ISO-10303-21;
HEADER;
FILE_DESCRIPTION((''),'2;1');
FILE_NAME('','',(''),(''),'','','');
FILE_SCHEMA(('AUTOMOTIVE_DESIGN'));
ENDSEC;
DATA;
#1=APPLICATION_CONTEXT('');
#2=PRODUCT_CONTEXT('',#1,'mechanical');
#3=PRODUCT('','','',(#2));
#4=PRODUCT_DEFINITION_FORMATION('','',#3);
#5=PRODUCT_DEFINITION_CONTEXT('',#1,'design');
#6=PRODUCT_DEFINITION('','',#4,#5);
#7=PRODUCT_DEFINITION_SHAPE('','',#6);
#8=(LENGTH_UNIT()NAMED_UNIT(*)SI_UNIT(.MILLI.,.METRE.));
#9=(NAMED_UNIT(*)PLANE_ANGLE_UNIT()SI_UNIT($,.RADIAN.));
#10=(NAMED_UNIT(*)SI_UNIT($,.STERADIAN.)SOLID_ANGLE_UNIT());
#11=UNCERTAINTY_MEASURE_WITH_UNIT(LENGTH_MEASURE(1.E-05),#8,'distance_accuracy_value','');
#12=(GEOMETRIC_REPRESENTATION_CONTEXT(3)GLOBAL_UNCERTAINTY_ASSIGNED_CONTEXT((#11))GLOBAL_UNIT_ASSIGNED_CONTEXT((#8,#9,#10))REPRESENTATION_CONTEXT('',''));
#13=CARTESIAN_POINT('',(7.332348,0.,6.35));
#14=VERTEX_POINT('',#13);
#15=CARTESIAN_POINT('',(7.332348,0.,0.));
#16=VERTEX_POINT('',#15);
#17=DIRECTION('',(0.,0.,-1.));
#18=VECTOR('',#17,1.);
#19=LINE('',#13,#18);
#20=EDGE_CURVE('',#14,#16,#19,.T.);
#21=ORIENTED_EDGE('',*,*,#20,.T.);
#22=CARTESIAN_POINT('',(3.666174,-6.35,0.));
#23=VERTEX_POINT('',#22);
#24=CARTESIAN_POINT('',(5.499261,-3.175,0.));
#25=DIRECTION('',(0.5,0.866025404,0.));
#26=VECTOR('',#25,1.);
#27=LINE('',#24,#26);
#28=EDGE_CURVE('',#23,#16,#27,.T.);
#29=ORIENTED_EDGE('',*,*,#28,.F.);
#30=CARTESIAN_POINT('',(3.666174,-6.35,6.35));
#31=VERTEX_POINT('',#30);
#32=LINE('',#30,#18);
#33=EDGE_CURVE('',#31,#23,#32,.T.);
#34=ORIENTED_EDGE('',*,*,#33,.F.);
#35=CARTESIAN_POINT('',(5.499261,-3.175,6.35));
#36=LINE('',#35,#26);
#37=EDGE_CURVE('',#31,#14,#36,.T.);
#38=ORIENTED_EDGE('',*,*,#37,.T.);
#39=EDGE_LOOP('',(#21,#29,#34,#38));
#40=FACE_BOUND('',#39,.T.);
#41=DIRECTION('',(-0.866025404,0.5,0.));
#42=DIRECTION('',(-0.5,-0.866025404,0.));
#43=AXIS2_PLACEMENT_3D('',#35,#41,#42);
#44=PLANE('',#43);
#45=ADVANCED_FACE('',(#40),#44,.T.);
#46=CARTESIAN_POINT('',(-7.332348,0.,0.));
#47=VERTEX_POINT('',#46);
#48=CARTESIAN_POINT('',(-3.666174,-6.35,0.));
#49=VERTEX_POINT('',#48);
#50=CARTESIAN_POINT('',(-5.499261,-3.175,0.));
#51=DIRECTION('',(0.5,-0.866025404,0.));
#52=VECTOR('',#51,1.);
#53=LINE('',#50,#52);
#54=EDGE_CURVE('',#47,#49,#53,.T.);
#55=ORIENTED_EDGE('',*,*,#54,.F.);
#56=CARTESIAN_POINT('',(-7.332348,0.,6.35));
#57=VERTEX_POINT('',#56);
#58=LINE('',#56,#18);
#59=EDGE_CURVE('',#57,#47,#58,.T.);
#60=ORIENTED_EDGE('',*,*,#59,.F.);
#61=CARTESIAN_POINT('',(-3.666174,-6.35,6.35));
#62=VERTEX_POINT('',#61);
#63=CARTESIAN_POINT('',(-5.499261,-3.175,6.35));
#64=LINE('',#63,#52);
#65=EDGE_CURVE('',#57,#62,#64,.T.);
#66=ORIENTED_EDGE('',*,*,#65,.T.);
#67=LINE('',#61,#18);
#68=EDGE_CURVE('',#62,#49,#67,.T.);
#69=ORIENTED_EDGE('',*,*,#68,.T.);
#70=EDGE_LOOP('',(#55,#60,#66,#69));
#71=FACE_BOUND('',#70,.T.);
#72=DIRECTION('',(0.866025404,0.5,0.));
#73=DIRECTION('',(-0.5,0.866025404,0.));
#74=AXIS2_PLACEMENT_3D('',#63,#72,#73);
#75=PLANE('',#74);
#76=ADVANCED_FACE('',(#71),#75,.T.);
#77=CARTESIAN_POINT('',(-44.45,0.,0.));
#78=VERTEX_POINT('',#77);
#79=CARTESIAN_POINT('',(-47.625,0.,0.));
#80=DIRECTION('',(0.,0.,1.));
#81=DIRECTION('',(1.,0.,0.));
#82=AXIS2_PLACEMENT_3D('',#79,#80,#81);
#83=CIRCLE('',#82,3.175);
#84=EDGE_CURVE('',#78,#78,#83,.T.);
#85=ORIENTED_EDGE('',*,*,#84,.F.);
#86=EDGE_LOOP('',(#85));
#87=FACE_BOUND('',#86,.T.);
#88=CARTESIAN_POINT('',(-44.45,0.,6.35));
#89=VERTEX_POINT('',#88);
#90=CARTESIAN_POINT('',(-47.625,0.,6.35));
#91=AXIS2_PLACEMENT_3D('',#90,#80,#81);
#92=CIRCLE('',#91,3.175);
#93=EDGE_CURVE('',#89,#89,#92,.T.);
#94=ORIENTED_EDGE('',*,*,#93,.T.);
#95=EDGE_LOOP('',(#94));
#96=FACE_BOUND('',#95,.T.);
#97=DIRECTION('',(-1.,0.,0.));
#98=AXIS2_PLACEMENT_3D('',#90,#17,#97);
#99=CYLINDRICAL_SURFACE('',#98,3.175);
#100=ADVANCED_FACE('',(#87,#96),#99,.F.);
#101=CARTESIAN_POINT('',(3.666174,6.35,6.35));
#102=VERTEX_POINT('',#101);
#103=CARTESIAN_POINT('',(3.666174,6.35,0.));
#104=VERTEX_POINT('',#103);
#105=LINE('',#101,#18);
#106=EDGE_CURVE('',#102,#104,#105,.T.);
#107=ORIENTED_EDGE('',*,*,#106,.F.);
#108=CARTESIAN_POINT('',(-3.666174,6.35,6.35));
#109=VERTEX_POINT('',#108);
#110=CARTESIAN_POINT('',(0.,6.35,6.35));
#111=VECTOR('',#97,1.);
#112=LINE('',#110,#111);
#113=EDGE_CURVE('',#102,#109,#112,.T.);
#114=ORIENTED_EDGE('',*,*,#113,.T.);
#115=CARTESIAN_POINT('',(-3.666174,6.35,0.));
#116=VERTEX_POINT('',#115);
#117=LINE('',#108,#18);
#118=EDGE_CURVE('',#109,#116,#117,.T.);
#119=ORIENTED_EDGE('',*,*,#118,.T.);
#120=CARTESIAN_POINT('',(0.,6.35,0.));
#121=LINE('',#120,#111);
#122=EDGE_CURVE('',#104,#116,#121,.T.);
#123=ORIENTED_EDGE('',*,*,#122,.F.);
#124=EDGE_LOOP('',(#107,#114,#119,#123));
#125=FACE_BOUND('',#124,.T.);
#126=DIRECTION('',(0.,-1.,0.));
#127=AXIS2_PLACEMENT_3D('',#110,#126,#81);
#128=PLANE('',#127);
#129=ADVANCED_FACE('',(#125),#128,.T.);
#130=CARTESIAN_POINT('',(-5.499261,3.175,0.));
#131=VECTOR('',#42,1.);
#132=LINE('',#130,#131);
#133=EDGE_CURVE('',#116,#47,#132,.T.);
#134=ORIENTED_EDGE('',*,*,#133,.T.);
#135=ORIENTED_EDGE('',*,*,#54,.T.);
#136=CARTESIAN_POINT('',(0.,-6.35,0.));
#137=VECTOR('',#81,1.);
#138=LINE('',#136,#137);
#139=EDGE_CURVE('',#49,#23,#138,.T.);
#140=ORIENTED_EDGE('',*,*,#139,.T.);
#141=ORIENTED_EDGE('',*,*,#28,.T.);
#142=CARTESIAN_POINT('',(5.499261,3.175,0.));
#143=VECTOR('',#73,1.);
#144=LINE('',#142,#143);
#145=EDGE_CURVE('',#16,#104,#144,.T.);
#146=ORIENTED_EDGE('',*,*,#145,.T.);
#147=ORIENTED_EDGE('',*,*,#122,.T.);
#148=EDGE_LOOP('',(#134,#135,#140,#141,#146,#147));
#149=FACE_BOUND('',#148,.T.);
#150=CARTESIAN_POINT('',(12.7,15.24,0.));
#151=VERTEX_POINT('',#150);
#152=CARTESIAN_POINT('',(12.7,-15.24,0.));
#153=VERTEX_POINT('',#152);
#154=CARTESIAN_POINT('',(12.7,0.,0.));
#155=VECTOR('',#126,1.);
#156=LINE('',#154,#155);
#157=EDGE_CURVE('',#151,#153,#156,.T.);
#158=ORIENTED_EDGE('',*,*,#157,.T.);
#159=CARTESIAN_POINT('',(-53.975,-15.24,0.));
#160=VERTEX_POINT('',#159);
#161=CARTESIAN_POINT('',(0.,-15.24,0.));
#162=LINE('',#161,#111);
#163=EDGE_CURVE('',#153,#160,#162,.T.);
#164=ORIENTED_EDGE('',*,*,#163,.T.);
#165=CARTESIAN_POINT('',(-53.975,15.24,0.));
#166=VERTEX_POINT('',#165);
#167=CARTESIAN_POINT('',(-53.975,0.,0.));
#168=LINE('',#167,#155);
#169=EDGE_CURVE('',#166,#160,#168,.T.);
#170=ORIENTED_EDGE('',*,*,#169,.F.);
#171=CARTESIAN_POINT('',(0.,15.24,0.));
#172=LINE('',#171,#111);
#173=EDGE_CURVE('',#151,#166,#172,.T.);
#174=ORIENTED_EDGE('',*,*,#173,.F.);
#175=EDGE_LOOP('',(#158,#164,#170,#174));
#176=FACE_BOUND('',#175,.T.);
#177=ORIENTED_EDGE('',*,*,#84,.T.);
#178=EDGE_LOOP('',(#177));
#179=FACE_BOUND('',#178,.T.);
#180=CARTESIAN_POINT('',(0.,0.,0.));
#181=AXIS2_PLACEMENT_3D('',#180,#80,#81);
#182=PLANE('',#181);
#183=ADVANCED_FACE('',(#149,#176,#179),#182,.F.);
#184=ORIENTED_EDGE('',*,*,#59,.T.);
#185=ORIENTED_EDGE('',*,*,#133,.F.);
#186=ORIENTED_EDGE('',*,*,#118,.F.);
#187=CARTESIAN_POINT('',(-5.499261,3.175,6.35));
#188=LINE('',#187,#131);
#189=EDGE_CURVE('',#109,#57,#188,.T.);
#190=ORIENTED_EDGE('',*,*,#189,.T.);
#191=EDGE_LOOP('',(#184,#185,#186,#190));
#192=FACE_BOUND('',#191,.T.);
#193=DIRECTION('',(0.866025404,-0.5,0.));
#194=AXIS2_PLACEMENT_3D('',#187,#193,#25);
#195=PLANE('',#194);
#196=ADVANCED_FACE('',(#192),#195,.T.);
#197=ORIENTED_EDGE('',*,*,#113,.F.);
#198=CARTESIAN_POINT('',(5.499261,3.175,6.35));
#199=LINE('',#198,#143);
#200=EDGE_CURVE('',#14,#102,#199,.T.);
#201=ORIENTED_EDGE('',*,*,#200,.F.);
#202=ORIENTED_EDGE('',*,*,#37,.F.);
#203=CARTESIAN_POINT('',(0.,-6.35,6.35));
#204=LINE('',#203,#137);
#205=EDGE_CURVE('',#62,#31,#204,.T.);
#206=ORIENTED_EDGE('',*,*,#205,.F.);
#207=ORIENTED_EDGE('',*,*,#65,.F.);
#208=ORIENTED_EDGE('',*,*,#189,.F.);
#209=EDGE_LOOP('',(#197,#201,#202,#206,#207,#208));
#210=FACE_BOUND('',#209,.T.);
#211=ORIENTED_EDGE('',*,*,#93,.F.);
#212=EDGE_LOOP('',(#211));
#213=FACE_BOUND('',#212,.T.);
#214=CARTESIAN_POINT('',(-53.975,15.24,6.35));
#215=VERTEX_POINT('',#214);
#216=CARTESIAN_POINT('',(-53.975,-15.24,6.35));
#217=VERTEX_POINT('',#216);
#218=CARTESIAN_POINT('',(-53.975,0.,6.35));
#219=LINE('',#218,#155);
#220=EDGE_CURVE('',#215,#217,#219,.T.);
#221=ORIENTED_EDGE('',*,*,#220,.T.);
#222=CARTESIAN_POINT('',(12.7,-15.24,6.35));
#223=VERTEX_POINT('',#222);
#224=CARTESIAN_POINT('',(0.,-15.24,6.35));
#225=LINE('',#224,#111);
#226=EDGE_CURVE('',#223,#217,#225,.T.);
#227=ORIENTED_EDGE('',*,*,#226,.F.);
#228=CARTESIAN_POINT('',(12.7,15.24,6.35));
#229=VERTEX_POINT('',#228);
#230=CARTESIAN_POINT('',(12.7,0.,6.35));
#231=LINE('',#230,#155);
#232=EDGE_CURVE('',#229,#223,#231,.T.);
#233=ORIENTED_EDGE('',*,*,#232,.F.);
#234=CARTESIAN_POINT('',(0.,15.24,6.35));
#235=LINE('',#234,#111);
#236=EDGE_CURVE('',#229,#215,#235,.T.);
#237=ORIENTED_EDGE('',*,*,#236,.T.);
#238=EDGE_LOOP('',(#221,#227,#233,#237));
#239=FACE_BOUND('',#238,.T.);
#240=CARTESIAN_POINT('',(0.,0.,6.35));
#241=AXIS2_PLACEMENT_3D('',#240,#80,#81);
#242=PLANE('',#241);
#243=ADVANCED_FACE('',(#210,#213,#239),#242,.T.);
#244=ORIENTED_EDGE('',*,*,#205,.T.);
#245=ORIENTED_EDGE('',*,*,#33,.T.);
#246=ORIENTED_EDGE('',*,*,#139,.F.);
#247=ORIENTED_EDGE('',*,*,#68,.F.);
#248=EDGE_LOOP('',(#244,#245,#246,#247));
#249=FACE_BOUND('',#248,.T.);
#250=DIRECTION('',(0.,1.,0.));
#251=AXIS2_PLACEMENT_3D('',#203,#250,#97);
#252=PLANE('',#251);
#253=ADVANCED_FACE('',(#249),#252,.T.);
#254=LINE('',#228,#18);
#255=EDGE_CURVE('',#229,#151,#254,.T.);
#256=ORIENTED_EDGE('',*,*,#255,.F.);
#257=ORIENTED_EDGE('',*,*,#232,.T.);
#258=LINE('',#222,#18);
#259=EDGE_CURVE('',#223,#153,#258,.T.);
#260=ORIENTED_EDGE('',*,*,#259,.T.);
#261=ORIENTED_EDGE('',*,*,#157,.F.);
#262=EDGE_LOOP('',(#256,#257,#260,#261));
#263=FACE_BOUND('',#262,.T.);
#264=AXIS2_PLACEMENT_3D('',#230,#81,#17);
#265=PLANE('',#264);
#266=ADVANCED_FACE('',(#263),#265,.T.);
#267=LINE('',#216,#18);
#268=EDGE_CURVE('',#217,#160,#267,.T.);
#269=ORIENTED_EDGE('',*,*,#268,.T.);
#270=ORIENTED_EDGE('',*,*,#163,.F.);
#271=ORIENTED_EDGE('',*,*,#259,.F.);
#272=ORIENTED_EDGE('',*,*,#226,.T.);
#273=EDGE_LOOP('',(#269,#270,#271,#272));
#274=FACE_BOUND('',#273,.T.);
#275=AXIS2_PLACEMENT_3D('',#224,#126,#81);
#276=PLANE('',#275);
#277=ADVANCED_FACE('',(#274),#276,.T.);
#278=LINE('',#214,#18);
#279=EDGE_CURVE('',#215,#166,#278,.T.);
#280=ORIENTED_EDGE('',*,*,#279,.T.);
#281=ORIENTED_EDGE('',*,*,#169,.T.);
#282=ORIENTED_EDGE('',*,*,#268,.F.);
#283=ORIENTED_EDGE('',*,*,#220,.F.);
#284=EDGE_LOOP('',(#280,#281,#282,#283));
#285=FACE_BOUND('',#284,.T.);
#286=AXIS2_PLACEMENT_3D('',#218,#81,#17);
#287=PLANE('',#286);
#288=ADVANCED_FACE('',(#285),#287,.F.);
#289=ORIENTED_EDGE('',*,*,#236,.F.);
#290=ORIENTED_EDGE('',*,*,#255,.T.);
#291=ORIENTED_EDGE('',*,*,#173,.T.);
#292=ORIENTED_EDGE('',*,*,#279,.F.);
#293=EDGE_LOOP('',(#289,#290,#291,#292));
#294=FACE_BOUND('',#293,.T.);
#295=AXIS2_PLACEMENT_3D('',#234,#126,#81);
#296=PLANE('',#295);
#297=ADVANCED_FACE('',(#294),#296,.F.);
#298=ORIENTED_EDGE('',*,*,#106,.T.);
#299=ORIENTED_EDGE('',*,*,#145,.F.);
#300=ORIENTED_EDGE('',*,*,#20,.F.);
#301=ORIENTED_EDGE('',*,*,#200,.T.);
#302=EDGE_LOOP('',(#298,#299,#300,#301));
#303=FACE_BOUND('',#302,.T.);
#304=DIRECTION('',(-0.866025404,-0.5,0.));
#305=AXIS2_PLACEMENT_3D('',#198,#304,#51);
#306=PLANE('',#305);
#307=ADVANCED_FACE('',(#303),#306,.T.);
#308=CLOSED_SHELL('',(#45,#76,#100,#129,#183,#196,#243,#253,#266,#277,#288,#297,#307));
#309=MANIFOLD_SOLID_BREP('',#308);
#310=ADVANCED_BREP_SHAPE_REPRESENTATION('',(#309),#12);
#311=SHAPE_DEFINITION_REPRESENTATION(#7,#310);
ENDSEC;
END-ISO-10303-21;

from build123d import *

# Parameters (mm, degrees)
SKETCH2_W           = 66.675
SKETCH2_H           = 30.48
SKETCH2_R           = 3.175
BOSS_EXTRUDE2_DEPTH = 6.35


with BuildPart() as part:
    # Sketch2 → Boss-Extrude2 (new body)
    with BuildSketch(Plane.XY):
        with Locations((-20.6375, 0)):
            Rectangle(SKETCH2_W, SKETCH2_H)
        with Locations((-47.625, 0)):
            Circle(SKETCH2_R, mode=Mode.SUBTRACT)
        Polygon((3.666174209, 6.35), (-3.666174209, 6.35), (-7.332348419, 0), (-3.666174209, -6.35), (3.666174209, -6.35), (7.332348419, 0), align=None, mode=Mode.SUBTRACT)
    extrude(amount=BOSS_EXTRUDE2_DEPTH)


solid = part.part
